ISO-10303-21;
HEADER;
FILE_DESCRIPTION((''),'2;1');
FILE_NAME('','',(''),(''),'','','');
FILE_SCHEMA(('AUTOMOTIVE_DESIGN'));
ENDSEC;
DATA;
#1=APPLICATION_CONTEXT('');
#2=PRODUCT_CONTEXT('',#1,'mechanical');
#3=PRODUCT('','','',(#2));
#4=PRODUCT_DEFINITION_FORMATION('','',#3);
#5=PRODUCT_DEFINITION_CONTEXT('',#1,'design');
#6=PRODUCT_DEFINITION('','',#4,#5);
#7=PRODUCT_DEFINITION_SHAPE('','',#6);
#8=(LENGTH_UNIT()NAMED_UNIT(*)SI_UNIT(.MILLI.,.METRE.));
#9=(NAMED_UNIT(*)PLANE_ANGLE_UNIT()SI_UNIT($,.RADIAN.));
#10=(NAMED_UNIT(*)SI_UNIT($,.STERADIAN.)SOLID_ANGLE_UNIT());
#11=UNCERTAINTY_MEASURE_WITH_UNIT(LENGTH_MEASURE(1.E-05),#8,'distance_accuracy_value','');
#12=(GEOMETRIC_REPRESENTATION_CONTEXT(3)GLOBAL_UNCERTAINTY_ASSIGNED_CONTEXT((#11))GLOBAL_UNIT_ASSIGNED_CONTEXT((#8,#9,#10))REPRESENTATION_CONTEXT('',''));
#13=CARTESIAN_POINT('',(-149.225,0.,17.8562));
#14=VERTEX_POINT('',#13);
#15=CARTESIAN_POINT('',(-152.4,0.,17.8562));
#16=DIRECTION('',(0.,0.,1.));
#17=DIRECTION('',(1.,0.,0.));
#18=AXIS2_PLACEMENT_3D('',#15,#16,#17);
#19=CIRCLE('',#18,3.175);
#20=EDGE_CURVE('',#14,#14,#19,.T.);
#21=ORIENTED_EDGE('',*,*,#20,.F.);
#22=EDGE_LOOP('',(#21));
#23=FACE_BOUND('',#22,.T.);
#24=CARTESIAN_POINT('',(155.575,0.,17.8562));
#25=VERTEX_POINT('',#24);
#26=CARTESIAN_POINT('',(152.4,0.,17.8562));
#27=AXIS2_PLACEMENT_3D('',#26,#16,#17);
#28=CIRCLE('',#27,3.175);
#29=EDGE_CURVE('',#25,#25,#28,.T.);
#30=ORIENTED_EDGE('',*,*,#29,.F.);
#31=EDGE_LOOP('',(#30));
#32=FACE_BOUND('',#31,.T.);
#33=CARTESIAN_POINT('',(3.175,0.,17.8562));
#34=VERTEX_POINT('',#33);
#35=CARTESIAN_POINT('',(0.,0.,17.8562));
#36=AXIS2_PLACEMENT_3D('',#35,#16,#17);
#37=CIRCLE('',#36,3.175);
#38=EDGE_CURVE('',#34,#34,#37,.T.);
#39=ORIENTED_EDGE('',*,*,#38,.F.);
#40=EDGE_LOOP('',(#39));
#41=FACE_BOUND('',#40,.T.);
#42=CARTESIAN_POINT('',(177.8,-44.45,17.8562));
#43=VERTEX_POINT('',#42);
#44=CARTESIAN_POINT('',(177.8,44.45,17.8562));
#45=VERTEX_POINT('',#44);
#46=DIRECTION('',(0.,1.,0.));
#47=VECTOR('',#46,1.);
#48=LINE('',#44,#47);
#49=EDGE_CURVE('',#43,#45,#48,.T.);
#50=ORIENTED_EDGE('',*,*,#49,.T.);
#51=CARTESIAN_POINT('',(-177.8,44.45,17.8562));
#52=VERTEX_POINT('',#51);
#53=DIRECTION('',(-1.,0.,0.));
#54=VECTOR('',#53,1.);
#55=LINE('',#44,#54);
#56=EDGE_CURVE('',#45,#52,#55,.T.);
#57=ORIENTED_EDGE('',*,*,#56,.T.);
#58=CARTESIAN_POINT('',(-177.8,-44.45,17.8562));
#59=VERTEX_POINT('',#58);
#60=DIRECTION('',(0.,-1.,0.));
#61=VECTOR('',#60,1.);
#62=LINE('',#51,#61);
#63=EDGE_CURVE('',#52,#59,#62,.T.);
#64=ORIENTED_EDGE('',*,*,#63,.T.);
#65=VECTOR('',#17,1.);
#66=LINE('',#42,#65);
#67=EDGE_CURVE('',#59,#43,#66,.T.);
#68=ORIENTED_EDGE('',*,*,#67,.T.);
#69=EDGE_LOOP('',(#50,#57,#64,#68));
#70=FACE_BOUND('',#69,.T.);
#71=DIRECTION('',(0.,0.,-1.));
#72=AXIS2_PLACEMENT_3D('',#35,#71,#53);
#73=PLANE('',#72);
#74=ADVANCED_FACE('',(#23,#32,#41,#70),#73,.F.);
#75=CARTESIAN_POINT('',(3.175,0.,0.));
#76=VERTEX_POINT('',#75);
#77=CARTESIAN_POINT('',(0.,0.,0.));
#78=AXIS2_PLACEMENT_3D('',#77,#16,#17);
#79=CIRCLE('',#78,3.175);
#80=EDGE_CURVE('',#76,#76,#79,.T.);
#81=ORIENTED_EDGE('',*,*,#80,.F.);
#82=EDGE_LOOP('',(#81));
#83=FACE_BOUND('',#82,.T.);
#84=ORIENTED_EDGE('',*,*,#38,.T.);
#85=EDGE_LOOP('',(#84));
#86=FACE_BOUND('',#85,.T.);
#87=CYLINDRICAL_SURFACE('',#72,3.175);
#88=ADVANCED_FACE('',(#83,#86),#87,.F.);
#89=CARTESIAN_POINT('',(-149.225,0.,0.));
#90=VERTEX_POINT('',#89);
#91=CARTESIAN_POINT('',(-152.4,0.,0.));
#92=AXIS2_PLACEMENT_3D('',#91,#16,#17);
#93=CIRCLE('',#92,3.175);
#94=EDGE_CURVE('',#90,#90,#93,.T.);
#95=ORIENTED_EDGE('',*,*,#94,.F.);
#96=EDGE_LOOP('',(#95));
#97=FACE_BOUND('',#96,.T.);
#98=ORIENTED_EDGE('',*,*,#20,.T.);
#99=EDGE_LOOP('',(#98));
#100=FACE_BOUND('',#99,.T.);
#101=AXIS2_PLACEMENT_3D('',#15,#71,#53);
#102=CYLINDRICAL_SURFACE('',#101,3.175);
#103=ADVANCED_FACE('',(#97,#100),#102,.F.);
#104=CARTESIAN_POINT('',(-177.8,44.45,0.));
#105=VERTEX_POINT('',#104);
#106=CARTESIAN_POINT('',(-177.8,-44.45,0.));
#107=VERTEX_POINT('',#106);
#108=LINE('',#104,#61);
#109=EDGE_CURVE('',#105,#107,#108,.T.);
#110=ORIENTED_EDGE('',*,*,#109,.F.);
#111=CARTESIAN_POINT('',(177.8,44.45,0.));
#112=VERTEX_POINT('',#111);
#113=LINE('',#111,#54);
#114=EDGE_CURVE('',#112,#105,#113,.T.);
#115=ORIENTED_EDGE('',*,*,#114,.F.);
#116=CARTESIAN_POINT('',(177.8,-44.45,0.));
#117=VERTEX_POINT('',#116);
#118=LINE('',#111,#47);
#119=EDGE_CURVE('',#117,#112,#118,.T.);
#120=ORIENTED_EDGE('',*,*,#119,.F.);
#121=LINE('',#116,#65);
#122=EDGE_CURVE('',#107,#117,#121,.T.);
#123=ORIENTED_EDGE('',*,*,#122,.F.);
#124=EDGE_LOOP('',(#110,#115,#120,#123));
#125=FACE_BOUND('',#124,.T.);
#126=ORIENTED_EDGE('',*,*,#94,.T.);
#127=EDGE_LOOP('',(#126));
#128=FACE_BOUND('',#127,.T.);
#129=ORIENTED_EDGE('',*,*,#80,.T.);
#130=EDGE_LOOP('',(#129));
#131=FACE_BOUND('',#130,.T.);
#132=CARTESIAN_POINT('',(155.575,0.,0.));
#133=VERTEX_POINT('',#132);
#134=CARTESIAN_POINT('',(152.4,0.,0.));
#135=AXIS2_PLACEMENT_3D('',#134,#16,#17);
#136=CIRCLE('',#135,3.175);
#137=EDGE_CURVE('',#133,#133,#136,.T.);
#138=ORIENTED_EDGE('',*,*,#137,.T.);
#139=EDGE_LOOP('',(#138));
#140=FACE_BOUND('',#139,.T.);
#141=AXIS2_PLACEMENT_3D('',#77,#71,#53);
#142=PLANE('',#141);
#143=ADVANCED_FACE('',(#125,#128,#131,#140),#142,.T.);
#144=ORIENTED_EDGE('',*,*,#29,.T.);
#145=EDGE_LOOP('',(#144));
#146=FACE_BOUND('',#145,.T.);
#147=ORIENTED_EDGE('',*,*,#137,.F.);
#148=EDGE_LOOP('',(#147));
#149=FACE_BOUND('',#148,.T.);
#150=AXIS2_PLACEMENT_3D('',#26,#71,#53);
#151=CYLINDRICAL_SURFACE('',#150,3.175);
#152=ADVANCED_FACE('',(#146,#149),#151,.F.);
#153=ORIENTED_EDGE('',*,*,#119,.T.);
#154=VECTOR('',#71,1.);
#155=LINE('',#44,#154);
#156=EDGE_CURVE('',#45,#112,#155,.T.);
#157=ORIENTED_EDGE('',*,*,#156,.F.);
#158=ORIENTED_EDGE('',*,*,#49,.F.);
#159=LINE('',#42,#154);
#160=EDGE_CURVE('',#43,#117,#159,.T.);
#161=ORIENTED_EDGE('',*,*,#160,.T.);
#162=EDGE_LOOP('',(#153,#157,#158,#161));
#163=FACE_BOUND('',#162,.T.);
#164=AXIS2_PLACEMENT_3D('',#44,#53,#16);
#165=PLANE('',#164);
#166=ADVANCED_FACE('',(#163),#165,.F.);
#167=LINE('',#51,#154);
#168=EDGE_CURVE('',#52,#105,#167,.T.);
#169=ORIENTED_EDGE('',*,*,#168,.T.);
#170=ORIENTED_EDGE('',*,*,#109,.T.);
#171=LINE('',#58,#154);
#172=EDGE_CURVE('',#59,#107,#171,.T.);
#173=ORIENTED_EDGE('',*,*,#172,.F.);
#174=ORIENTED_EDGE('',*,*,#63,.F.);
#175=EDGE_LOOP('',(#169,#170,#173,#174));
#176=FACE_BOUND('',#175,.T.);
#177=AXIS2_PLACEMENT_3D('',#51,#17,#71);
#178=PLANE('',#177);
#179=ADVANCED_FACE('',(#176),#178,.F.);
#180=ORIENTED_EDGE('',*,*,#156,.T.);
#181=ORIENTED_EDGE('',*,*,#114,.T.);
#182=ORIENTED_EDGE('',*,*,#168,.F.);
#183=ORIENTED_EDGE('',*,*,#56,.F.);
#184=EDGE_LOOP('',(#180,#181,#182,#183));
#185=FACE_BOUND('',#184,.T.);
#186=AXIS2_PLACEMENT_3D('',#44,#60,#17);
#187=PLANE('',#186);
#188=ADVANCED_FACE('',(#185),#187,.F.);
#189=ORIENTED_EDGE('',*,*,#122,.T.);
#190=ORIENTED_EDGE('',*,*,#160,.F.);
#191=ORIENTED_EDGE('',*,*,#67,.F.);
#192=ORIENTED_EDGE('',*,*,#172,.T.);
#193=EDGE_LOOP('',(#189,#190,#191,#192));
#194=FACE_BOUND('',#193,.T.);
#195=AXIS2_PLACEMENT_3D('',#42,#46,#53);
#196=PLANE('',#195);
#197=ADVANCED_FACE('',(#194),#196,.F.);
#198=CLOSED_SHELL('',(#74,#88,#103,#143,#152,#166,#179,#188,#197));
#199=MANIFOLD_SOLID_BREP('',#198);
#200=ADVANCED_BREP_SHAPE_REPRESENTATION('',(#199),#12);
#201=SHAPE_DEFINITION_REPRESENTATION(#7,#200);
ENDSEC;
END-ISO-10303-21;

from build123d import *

# Parameters (mm, degrees)
SKETCH2_W           = 355.6
SKETCH2_H           = 88.9
SKETCH2_R           = 3.175
BOSS_EXTRUDE2_DEPTH = 17.8562


with BuildPart() as part:
    # Sketch2 → Boss-Extrude2 (new body)
    with BuildSketch(Plane.XY):
        Rectangle(SKETCH2_W, SKETCH2_H)
        with Locations((-152.4, 0)):
            Circle(SKETCH2_R, mode=Mode.SUBTRACT)
        Circle(SKETCH2_R, mode=Mode.SUBTRACT)
        with Locations((152.4, 0)):
            Circle(SKETCH2_R, mode=Mode.SUBTRACT)
    extrude(amount=BOSS_EXTRUDE2_DEPTH)


solid = part.part
